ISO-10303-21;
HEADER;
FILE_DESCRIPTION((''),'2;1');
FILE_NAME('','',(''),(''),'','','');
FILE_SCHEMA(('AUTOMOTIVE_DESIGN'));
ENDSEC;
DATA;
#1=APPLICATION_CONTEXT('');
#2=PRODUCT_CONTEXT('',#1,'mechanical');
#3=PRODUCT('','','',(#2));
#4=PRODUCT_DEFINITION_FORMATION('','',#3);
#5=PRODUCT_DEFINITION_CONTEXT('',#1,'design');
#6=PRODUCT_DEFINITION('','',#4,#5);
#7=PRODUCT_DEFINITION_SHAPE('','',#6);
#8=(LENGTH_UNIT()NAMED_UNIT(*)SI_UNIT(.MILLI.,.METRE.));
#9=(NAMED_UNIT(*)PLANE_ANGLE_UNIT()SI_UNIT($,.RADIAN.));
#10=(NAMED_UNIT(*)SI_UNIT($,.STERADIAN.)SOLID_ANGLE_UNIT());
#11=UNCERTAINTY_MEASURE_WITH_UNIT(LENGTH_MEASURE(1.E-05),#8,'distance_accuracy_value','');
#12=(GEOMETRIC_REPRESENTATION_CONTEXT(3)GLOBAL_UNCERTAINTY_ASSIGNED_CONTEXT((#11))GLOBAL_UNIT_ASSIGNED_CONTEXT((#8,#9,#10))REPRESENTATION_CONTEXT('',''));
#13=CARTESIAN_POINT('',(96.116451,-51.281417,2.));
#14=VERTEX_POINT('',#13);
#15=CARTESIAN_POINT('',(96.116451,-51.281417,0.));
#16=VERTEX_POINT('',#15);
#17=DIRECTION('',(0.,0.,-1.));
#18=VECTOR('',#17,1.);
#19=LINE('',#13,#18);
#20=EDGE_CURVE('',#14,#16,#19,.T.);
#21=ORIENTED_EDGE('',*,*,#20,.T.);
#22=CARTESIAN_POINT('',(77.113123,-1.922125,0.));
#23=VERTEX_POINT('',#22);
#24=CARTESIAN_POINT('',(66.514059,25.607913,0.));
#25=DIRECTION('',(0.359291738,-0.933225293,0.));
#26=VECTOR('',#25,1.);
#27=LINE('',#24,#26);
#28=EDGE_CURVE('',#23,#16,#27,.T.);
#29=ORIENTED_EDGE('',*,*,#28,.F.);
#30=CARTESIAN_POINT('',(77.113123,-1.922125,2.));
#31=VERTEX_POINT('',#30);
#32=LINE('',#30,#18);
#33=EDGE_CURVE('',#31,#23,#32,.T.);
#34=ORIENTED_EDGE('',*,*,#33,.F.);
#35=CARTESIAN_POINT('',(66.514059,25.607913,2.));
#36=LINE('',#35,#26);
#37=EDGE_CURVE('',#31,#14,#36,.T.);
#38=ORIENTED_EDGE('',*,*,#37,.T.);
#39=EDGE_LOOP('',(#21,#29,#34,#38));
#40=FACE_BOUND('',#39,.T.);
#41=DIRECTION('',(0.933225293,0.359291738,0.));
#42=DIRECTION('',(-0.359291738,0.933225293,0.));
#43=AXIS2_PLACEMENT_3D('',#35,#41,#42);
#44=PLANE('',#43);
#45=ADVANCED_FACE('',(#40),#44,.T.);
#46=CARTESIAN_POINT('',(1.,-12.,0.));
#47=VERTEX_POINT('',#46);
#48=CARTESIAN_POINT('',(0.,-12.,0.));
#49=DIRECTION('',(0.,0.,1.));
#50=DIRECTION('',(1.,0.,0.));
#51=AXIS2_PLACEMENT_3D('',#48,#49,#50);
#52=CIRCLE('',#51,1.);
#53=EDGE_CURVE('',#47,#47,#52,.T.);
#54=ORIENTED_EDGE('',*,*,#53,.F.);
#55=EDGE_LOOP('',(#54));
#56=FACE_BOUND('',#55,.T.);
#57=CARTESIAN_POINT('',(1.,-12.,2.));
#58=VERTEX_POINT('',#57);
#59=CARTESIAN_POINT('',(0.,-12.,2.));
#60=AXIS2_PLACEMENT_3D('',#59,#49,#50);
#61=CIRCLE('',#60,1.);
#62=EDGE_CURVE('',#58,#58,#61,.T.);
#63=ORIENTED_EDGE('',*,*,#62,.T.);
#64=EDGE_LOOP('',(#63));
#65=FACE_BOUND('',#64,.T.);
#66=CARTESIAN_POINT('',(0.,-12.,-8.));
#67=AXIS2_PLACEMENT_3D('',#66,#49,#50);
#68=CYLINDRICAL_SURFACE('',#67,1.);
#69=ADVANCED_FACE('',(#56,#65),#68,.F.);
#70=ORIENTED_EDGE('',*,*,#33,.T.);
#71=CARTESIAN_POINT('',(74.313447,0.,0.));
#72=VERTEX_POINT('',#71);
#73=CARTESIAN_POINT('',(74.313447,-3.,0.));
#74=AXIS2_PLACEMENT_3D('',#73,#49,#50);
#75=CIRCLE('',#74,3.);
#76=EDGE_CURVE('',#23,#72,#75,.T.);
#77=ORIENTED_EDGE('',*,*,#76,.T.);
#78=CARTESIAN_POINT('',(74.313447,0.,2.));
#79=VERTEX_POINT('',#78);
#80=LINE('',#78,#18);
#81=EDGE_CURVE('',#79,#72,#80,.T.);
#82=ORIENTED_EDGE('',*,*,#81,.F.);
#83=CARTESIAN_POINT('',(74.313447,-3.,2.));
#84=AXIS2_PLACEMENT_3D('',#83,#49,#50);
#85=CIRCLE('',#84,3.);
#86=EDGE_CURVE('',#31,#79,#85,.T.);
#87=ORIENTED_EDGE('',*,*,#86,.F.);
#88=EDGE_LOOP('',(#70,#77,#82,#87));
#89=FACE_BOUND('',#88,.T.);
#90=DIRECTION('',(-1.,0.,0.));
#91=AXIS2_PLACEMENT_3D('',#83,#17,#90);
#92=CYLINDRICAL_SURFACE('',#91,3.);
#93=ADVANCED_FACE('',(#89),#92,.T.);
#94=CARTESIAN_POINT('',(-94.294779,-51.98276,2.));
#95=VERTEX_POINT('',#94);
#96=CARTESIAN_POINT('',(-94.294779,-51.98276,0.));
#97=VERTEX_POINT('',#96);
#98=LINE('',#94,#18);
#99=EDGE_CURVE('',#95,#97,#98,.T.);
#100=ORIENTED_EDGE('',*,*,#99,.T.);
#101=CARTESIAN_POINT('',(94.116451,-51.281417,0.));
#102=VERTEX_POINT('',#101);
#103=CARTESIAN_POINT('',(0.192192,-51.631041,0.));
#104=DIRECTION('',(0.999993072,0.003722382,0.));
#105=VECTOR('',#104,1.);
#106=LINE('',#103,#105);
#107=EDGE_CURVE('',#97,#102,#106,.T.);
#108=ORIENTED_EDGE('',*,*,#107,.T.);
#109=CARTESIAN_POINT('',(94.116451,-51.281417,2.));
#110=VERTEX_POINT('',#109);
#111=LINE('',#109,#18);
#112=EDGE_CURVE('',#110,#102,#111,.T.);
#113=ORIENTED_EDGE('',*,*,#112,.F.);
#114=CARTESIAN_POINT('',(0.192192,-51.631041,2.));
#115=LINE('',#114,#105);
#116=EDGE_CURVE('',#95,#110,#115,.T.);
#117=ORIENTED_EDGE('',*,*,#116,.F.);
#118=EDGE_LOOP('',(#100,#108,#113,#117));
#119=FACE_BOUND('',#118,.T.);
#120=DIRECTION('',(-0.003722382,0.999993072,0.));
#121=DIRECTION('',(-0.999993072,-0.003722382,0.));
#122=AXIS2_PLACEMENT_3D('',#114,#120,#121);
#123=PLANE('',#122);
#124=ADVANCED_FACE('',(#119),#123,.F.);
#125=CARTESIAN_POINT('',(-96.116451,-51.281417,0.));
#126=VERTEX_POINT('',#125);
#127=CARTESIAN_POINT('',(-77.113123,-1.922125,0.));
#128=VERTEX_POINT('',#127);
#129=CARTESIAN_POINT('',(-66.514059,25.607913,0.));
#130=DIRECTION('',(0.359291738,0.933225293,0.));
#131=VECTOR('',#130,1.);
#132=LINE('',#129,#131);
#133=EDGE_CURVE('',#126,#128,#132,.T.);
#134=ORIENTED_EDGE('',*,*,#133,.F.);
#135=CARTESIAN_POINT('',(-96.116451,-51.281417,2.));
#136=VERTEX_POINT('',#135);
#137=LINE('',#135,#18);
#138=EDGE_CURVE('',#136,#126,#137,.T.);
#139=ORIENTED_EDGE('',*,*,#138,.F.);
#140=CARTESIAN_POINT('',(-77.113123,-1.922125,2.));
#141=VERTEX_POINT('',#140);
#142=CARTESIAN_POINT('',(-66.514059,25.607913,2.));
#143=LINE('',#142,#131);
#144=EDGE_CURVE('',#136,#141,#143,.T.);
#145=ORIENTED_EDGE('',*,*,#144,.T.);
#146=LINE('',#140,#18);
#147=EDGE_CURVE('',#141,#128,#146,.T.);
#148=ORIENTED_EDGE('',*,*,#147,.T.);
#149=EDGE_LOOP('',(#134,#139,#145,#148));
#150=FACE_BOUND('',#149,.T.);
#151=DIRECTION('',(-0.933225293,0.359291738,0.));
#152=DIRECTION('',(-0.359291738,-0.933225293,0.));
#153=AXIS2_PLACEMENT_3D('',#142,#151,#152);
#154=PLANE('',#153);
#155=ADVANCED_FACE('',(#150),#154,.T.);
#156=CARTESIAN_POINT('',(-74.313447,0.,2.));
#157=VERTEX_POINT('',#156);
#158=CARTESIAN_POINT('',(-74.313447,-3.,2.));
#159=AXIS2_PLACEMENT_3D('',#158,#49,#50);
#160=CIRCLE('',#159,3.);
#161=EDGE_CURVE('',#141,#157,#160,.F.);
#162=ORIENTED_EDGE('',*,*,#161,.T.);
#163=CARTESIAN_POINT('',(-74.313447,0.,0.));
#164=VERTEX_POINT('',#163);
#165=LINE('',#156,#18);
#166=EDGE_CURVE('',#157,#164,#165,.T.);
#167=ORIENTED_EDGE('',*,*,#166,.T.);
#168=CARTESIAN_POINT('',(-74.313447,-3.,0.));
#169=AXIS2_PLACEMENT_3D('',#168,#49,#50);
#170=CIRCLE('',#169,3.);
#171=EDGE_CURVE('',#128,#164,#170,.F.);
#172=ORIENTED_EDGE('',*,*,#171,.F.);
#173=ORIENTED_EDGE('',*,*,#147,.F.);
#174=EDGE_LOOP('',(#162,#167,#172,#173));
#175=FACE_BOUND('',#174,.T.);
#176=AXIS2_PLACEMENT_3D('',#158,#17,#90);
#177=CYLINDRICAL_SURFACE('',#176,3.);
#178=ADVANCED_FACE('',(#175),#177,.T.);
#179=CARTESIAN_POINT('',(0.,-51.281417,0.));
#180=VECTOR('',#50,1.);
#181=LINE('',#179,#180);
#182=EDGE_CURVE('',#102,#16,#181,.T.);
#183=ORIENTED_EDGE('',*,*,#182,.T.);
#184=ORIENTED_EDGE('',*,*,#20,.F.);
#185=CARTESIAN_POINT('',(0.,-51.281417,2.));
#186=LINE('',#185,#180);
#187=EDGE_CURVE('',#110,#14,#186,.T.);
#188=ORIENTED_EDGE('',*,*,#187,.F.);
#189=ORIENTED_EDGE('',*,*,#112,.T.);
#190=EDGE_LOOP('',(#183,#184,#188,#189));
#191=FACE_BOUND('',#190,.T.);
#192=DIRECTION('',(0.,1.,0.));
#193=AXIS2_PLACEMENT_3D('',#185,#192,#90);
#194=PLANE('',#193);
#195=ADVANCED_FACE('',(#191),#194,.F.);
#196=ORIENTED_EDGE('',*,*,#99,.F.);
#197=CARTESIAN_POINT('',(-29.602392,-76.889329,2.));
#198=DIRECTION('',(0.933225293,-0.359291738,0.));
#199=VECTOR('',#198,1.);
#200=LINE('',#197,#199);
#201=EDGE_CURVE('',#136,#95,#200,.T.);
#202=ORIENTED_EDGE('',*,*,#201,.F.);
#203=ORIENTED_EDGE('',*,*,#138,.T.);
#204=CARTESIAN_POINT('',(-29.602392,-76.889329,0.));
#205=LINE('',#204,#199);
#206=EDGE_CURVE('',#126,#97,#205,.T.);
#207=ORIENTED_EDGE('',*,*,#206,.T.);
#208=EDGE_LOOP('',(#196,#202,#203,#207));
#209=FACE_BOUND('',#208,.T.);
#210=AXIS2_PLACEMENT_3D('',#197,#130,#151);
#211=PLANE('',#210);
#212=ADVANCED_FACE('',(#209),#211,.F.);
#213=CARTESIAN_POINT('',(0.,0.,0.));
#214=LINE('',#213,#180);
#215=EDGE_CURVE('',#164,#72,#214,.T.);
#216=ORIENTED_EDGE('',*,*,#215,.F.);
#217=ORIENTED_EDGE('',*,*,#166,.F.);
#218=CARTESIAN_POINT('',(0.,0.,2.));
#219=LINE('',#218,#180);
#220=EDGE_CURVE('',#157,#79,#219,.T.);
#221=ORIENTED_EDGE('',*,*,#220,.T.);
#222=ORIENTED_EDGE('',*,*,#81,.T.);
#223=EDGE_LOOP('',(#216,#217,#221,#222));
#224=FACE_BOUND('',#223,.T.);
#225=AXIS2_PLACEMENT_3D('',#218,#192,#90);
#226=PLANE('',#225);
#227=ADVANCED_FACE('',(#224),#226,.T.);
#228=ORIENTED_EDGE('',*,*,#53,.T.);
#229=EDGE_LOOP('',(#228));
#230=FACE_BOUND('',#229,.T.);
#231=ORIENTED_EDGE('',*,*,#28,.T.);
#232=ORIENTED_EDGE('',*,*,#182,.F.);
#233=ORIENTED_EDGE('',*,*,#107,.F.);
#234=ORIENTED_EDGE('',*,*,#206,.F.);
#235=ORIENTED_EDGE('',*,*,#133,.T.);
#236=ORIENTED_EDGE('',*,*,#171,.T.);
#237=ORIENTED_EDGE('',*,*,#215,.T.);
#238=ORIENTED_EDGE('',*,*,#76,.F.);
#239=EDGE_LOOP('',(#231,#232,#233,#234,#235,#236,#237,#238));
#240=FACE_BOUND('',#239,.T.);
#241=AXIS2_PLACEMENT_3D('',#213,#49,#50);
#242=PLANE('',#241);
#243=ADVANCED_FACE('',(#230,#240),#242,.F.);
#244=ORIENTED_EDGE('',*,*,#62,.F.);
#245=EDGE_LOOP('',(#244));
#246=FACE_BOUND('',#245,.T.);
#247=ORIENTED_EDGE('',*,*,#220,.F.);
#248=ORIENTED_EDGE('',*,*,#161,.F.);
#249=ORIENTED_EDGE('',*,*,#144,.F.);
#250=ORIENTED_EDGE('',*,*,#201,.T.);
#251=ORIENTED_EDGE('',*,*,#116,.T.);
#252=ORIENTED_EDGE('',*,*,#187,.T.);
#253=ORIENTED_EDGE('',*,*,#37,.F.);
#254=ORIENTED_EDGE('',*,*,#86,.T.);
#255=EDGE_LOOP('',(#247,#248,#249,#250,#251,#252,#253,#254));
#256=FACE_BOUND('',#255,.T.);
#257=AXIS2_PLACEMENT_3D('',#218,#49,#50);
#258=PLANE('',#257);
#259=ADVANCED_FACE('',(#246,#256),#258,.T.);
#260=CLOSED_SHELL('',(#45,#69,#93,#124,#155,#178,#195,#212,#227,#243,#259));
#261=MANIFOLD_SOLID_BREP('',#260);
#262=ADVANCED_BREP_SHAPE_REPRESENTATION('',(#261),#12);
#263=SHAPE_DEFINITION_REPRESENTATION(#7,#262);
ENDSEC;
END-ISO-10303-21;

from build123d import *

# Parameters (mm, degrees)
BOSS_EXTRUDE1_DEPTH = 2
SKETCH2_R           = 1
CUT_EXTRUDE1_DEPTH  = 10


with BuildPart() as part:
    # Sketch1 → Boss-Extrude1 (new body)
    with BuildSketch(Plane.XY):
        with BuildLine():
            ThreePointArc((-75.246672681, -2.507158848), (-74.879445737, -2.042044212), (-74.313447388, -1.866450586))
            Line((-74.313447388, -1.866450586), (74.313447388, -1.866450586))
            ThreePointArc((74.313447388, -1.866450586), (74.955034485, -2.065494638), (75.371304372, -2.592725061))
            Line((75.371304372, -2.592725061), (94.116450586, -51.281416525))
            Line((94.116450586, -51.281416525), (-94.294779137, -51.982760032))
            Line((-94.294779137, -51.982760032), (-75.246672681, -2.507158848))
        make_face()
        with BuildLine():
            Line((-94.294779137, -51.982760032), (-75.246672681, -2.507158848))
            ThreePointArc((-75.246672681, -2.507158848), (-74.879445737, -2.042044212), (-74.313447388, -1.866450586))
            Line((-74.313447388, -1.866450586), (74.313447388, -1.866450586))
            ThreePointArc((74.313447388, -1.866450586), (74.955034485, -2.065494638), (75.371304372, -2.592725061))
            Line((75.371304372, -2.592725061), (94.116450586, -51.281416525))
            Line((94.116450586, -51.281416525), (96.116450586, -51.281416525))
            Line((96.116450586, -51.281416525), (77.113123267, -1.922124787))
            ThreePointArc((77.113123267, -1.922124787), (76.011442435, -0.526780879), (74.313447388, 0))
            Line((74.313447388, 0), (25, 0))
            Line((25, 0), (-25, 0))
            Line((-25, 0), (-74.313447388, 0))
            ThreePointArc((-74.313447388, 0), (-76.011442435, -0.526780879), (-77.113123267, -1.922124787))
            Line((-77.113123267, -1.922124787), (-96.116450586, -51.281416525))
            Line((-96.116450586, -51.281416525), (-94.294779137, -51.982760032))
        make_face()
    extrude(amount=BOSS_EXTRUDE1_DEPTH)

    # Sketch2 → Cut-Extrude1 (cut)
    with BuildSketch(Plane.XY.offset(2)):
        with Locations((0, -12)):
            Circle(SKETCH2_R)
    extrude(amount=-CUT_EXTRUDE1_DEPTH, mode=Mode.SUBTRACT)


solid = part.part
